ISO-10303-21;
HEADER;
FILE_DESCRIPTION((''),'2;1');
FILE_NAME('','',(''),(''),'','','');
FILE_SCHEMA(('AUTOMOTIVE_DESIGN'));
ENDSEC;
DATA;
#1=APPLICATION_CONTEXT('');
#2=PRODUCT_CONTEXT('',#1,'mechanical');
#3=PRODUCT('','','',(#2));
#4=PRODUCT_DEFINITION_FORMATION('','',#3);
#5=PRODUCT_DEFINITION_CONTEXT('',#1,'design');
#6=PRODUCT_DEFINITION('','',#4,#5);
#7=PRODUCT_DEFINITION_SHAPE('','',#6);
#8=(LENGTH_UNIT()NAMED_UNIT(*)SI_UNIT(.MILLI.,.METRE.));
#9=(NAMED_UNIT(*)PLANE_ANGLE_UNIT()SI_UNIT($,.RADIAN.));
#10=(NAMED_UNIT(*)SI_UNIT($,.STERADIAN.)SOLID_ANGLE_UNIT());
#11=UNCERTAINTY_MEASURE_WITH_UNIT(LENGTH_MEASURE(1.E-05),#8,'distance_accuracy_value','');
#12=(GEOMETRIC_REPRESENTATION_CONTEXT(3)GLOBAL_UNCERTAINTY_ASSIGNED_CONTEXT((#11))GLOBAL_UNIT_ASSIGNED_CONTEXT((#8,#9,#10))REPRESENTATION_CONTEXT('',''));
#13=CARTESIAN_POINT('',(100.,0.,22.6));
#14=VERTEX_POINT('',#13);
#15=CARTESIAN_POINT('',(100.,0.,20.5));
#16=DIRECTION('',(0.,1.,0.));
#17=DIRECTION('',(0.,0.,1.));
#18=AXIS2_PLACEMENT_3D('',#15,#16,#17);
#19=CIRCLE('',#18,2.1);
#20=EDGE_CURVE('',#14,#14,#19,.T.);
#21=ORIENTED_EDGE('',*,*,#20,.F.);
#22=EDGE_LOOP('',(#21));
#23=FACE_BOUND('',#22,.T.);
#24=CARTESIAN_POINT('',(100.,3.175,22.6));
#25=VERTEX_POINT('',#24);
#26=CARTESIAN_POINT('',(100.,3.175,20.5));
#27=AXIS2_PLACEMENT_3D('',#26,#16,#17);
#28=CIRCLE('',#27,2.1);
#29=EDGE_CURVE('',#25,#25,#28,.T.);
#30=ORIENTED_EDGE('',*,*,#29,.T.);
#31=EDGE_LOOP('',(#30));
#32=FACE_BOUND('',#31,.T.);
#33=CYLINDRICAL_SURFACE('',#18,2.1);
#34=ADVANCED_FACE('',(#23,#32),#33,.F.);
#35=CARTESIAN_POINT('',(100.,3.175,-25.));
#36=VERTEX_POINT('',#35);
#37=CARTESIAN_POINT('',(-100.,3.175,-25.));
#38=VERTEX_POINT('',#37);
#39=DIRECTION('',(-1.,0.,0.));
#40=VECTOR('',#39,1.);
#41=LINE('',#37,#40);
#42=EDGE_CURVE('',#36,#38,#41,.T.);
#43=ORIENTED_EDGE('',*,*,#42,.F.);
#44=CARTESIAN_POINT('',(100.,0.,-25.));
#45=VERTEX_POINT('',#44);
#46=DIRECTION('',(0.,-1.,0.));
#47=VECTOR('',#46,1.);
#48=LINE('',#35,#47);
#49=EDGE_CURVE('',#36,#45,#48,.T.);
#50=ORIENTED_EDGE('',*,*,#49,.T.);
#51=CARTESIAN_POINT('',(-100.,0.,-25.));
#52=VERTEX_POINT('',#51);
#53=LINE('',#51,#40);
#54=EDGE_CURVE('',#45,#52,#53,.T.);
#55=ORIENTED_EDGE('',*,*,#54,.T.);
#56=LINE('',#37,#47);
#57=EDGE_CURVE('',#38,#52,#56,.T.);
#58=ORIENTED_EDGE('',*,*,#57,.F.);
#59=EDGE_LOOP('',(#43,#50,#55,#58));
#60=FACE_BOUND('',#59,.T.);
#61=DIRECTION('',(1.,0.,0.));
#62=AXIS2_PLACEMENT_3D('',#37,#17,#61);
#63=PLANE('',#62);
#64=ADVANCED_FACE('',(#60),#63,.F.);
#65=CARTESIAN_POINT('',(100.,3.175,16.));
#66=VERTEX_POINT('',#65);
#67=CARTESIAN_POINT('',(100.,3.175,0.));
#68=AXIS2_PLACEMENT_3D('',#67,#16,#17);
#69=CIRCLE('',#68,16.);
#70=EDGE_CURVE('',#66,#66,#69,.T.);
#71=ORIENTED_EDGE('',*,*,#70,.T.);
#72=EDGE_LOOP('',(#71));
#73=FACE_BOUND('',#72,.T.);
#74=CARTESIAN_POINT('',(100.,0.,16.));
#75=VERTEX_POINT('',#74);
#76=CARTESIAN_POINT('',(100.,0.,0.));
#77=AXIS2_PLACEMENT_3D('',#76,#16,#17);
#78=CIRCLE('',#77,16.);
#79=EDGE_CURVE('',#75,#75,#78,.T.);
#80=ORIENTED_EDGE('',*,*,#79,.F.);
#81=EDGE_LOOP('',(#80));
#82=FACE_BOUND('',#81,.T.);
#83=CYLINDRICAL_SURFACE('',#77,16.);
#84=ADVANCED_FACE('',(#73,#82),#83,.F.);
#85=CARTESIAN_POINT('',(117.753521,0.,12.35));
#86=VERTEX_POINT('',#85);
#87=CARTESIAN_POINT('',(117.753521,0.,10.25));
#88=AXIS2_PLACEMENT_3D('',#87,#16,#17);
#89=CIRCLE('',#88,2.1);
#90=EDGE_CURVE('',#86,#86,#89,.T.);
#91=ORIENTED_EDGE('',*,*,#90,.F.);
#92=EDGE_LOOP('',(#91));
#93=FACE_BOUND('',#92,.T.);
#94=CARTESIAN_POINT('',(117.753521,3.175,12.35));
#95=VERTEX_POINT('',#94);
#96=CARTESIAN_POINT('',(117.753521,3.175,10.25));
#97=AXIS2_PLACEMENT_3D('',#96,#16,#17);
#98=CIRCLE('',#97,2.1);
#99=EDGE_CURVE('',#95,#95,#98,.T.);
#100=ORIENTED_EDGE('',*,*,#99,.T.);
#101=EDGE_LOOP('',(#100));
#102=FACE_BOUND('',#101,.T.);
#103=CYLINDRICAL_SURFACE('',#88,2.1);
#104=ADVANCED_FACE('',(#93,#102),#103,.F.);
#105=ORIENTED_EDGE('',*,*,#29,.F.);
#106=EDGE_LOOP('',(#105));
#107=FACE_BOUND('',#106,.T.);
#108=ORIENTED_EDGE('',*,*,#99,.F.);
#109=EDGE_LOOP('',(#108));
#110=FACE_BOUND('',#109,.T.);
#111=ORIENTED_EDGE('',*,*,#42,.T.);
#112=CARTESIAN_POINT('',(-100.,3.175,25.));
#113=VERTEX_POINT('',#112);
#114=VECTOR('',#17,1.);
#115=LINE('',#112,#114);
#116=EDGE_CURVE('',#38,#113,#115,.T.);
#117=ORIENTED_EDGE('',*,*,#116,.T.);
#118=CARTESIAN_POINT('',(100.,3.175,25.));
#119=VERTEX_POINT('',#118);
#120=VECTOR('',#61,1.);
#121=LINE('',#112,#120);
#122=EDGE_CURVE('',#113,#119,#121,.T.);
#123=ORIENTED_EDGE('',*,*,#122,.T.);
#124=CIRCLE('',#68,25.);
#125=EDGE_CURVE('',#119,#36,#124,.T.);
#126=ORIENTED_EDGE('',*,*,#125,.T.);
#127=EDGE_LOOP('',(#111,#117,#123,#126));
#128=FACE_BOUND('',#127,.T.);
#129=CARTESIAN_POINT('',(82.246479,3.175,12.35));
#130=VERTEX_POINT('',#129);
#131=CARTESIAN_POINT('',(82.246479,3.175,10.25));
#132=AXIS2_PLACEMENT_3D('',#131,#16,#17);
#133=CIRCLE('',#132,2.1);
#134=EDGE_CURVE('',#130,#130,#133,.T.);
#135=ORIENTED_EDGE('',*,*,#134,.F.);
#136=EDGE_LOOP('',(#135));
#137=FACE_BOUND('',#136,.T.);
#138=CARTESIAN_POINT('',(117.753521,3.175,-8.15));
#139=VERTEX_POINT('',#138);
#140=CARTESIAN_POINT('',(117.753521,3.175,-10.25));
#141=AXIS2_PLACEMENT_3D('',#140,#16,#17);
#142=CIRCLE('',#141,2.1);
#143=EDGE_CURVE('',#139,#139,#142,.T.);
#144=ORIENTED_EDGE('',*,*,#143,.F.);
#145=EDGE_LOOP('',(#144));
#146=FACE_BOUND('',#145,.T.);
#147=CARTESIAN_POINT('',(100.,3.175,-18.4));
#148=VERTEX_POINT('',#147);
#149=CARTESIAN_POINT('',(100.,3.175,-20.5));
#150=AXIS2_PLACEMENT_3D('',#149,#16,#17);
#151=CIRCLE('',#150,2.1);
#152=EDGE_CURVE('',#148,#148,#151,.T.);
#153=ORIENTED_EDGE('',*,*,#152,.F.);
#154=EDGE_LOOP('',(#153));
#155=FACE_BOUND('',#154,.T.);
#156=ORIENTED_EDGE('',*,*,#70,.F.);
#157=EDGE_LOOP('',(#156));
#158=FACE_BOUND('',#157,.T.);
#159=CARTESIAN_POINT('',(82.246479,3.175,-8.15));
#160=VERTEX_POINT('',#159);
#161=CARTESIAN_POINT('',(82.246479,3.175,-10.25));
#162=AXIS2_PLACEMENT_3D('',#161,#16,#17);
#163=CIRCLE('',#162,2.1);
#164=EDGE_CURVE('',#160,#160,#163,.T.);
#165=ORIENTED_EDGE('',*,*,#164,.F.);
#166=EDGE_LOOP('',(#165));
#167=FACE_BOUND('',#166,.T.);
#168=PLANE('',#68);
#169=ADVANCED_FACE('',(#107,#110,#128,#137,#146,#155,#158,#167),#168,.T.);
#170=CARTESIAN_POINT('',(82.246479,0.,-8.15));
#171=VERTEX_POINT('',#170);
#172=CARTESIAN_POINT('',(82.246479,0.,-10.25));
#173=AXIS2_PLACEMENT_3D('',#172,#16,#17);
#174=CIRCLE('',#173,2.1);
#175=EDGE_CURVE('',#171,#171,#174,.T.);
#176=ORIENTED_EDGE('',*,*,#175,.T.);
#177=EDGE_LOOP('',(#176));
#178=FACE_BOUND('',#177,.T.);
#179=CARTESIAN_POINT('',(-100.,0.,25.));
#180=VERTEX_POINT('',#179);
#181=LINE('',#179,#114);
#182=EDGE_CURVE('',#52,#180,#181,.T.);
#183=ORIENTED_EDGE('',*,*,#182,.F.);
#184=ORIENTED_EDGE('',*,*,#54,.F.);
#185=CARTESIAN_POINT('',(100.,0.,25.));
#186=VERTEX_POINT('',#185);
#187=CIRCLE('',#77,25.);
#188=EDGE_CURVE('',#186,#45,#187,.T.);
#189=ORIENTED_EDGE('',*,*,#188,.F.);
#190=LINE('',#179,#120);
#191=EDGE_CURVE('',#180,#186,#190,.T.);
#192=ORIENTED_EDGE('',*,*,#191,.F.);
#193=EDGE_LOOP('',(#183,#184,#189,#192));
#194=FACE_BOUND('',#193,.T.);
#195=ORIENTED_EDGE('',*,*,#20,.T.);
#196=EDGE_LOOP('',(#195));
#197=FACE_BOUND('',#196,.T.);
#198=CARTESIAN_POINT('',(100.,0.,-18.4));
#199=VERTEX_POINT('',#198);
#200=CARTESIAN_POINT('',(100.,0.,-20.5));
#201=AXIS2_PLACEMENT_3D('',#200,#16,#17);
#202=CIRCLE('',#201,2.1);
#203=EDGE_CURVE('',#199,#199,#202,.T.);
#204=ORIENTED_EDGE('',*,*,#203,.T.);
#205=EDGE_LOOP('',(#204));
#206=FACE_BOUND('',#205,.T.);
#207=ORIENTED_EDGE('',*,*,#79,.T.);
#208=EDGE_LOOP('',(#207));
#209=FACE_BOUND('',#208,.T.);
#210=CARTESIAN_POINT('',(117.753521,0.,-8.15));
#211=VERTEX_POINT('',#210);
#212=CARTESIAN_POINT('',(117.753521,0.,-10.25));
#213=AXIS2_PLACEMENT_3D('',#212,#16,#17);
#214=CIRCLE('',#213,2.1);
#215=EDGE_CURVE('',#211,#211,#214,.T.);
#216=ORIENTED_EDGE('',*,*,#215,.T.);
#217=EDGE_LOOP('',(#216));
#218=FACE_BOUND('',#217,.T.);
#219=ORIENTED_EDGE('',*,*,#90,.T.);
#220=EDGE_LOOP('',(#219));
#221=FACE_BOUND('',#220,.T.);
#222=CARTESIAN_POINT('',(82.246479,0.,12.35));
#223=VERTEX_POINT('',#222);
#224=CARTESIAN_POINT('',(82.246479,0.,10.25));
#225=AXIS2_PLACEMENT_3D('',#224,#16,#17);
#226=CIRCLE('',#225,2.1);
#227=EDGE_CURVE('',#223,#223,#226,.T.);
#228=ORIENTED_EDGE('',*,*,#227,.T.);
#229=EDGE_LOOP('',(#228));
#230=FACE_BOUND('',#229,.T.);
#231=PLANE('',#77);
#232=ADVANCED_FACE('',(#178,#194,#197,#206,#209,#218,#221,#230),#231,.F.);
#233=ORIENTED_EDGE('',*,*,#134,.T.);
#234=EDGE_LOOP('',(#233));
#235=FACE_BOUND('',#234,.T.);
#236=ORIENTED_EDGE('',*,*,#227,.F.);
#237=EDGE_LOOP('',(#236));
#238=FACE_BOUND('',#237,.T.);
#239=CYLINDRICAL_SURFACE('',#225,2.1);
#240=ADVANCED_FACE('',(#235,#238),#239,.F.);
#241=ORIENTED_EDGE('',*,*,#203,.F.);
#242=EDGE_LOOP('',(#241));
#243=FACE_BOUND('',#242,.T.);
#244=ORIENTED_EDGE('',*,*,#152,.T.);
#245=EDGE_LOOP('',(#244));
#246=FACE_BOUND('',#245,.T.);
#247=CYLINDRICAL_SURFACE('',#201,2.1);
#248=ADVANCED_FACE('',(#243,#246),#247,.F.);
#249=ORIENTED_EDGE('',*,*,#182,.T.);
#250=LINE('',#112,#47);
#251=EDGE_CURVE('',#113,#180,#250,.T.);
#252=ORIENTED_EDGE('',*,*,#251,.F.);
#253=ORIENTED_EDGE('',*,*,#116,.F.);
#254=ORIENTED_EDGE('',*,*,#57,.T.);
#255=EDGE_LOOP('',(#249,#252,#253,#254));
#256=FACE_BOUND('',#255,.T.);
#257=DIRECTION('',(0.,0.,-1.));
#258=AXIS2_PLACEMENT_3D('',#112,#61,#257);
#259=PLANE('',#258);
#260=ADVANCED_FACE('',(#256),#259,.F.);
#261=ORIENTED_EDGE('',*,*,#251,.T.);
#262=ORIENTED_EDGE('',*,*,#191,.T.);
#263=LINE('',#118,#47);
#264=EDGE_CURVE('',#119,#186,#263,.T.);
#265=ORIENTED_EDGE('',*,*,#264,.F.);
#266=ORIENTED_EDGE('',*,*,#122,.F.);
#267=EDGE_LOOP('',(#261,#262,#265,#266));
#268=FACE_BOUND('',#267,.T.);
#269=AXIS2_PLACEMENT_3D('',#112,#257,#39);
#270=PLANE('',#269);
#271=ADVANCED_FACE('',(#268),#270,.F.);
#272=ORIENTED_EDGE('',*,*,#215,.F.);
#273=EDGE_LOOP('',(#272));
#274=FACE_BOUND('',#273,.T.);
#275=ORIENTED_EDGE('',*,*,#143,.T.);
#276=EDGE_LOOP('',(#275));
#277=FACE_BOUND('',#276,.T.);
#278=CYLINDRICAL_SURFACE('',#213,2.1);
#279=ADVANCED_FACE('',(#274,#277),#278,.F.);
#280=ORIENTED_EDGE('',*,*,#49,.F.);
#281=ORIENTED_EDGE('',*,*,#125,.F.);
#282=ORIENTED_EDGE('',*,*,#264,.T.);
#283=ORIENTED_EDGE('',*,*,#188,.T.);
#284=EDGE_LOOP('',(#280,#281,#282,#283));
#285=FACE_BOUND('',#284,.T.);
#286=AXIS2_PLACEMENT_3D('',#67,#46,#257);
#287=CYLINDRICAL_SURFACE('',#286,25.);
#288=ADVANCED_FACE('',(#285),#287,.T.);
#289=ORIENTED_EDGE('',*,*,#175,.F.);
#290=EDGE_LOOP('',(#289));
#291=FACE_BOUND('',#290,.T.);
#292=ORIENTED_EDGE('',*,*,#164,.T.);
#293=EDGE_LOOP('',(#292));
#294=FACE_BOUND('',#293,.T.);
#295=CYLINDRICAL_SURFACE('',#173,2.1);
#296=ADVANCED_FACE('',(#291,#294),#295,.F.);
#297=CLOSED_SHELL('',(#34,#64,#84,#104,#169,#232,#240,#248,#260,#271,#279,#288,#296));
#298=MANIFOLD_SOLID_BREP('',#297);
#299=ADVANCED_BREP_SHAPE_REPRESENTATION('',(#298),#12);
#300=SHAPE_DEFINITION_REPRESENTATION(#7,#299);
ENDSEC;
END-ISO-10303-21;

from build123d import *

# Parameters (mm, degrees)
BOSS_EXTRUDE1_DEPTH = 3.175
SKETCH2_R           = 16
SKETCH2_R_2         = 2.1
CUT_EXTRUDE1_DEPTH  = 128.515021174


with BuildPart() as part:
    # Sketch1 → Boss-Extrude1 (new body)
    with BuildSketch(Plane(origin=(0, 0, 0), x_dir=(1, 0, 0), z_dir=(0, 1, 0))):
        with BuildLine():
            Line((-100, -25), (100, -25))
            ThreePointArc((100, -25), (125, 0), (100, 25))
            Line((100, 25), (-100, 25))
            Line((-100, 25), (-100, -25))
        make_face()
    extrude(amount=BOSS_EXTRUDE1_DEPTH)

    # Sketch2 → Cut-Extrude1 (cut, through all)
    with BuildSketch(Plane(origin=(0, 3.175, 0), x_dir=(1, 0, 0), z_dir=(0, 1, 0))):
        with Locations(Location((100, 0, 0), (0, 0, 270))):
            Circle(SKETCH2_R)
        with Locations(Location((100, 20.5, 0), (0, 0, 270))):
            Circle(SKETCH2_R_2)
        with Locations(Location((117.753520778, 10.25, 0), (0, 0, 270))):
            Circle(SKETCH2_R_2)
        with Locations(Location((117.753520778, -10.25, 0), (0, 0, 270))):
            Circle(SKETCH2_R_2)
        with Locations(Location((100, -20.5, 0), (0, 0, 270))):
            Circle(SKETCH2_R_2)
        with Locations(Location((82.246479222, -10.25, 0), (0, 0, 270))):
            Circle(SKETCH2_R_2)
        with Locations(Location((82.246479222, 10.25, 0), (0, 0, 270))):
            Circle(SKETCH2_R_2)
    extrude(amount=-CUT_EXTRUDE1_DEPTH, mode=Mode.SUBTRACT)


solid = part.part
